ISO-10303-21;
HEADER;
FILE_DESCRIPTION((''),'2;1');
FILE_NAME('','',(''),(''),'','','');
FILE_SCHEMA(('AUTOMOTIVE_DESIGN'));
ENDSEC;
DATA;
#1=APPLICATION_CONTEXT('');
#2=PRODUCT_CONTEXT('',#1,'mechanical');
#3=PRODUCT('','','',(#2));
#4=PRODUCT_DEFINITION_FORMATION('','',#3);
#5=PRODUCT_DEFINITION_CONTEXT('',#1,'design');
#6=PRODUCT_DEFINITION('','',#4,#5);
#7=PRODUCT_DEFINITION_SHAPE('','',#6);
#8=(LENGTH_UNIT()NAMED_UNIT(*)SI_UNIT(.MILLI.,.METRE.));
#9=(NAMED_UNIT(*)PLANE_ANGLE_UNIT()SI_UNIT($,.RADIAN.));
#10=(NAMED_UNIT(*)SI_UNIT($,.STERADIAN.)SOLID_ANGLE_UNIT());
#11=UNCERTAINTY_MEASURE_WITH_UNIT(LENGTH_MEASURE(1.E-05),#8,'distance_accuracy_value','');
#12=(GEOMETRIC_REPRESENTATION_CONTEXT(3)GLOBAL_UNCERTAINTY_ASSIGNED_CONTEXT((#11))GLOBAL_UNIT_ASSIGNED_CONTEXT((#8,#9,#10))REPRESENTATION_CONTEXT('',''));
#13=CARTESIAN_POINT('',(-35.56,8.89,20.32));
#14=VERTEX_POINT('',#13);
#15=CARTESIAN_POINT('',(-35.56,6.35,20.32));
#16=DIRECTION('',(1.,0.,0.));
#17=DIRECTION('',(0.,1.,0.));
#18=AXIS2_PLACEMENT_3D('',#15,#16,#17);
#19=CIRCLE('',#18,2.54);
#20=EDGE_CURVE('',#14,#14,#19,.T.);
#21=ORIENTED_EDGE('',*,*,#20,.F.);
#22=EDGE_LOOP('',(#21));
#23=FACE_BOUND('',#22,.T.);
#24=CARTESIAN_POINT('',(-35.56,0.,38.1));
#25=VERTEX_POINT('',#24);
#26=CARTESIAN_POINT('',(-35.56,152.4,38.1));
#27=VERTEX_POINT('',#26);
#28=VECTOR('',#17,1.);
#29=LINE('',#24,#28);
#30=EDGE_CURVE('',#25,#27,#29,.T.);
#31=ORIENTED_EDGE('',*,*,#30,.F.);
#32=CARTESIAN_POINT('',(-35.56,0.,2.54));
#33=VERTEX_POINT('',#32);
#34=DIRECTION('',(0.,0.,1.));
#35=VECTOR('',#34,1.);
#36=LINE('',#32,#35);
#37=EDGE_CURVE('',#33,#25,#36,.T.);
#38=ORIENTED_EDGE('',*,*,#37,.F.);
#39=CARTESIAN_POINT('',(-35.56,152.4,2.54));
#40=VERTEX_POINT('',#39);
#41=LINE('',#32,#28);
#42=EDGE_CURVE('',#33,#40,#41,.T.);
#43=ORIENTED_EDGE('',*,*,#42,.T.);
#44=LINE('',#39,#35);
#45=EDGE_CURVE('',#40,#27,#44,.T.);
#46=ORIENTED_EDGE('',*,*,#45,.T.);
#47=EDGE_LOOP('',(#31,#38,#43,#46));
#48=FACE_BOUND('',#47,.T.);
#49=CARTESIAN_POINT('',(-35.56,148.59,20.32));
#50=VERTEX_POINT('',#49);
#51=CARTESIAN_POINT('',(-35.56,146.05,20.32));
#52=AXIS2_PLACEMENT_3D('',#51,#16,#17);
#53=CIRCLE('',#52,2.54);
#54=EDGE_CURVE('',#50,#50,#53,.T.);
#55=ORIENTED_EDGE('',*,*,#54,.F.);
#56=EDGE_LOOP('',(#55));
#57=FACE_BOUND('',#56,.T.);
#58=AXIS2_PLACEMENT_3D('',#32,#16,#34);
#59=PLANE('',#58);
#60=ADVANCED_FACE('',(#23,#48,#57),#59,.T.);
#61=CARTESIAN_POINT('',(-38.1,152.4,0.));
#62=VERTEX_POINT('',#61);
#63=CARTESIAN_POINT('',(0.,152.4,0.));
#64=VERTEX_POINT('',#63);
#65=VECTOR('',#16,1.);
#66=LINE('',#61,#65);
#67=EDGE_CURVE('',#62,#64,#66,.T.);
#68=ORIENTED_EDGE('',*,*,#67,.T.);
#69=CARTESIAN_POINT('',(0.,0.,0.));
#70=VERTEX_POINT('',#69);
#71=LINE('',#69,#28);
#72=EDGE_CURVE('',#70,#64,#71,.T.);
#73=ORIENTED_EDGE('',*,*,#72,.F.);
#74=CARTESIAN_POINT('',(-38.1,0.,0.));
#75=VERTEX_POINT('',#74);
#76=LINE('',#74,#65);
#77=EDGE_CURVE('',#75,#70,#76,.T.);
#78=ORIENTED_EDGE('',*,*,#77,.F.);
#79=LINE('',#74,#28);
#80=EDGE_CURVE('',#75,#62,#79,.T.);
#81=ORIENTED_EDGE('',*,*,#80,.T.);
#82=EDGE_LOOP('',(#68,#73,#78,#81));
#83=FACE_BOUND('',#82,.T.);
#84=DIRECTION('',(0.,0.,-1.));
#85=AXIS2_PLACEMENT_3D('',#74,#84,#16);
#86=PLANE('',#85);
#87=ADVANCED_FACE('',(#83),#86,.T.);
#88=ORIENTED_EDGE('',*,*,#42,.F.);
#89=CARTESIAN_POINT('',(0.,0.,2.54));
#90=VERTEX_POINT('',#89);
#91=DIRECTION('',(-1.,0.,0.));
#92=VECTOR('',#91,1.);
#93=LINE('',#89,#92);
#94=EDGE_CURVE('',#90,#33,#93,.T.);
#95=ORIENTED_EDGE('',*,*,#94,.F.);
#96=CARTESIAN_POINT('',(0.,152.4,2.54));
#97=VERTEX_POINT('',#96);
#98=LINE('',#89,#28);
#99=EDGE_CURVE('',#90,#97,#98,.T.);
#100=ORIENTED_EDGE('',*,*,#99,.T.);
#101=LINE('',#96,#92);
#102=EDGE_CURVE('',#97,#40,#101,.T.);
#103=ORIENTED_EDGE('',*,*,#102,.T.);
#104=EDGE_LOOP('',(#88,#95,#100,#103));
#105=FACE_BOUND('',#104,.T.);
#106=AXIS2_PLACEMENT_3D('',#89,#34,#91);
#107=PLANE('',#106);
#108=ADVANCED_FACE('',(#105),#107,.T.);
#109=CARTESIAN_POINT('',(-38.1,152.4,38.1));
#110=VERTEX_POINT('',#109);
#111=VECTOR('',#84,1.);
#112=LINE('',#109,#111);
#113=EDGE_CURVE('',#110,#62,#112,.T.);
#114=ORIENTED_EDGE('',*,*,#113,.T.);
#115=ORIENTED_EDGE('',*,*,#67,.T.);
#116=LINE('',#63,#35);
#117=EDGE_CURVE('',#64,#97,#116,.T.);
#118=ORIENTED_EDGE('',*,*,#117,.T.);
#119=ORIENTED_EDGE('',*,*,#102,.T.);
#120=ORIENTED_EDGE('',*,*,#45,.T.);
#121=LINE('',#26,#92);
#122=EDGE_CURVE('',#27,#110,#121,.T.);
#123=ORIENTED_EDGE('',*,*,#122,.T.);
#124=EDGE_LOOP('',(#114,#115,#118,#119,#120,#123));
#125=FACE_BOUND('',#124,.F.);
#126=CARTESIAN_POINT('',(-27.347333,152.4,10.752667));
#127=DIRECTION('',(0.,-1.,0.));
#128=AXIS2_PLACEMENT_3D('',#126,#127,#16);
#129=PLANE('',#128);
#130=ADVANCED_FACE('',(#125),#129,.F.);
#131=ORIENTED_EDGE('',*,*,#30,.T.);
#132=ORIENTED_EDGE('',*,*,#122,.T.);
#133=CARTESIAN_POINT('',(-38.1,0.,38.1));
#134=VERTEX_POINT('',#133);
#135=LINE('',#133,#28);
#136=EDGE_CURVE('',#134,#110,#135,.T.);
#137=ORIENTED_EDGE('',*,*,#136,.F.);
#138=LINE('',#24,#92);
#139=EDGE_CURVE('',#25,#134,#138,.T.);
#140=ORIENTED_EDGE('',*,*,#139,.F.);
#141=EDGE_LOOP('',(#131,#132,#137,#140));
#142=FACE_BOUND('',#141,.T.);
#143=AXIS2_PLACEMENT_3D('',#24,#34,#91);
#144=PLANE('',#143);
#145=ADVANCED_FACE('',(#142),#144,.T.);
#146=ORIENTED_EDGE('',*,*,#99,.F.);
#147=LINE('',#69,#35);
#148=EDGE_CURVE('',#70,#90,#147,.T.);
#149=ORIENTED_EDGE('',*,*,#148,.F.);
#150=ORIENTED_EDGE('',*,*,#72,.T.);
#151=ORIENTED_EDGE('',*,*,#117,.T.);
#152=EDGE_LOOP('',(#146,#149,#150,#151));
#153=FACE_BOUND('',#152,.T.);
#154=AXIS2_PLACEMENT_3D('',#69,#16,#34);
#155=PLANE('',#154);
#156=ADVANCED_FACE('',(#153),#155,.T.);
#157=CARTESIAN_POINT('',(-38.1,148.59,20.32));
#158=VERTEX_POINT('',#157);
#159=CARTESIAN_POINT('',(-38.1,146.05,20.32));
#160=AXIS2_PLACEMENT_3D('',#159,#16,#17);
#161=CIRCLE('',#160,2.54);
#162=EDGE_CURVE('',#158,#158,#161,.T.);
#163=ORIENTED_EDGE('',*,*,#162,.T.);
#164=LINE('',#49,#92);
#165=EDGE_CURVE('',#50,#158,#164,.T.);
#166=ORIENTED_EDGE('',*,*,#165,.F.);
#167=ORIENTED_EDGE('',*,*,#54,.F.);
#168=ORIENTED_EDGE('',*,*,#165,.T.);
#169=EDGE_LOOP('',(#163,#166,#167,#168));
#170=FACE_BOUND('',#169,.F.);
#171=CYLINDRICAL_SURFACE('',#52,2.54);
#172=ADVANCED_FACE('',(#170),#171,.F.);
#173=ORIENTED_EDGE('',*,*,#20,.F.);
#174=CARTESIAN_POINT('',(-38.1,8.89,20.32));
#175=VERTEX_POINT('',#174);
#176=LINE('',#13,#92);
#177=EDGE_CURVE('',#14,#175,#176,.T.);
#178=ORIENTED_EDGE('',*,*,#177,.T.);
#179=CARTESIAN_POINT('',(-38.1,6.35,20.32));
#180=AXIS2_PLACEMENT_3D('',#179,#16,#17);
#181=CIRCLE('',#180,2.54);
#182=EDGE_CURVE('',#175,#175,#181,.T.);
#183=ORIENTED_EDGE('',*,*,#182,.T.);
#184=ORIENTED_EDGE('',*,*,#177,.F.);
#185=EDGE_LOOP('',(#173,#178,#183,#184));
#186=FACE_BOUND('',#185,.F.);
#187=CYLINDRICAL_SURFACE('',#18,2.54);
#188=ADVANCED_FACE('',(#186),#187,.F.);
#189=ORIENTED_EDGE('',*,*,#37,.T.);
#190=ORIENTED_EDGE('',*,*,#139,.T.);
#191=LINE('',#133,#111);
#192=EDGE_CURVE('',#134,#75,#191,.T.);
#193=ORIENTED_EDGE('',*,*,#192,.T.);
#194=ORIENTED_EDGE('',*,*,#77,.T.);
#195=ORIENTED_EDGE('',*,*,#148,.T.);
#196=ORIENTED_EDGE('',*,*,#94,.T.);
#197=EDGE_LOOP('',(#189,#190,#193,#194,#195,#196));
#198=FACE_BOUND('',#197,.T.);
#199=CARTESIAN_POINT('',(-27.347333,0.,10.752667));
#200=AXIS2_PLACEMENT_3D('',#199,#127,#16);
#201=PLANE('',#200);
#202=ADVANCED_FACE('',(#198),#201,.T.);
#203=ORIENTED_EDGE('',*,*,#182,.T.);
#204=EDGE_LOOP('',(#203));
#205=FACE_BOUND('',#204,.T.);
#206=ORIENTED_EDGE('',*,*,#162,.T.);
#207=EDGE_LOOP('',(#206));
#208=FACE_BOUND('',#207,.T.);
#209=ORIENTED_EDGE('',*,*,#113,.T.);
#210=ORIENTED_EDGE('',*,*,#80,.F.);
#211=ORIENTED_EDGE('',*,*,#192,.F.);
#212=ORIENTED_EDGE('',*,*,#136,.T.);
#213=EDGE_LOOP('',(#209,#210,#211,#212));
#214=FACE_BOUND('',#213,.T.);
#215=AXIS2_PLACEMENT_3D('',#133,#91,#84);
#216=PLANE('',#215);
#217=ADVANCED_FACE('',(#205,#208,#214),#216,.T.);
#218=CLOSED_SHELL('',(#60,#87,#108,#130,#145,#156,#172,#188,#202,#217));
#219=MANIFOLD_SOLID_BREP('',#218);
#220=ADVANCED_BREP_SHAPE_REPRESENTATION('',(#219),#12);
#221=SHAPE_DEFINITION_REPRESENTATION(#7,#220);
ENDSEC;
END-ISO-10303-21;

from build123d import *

# Parameters (mm, degrees)
F1_DEPTH = 152.4
F2_R     = 2.54
F3_DEPTH = 25.4


with BuildPart() as f1:
    # F0 (on Front) → F1 (new body)
    with BuildSketch(Plane.XZ):
        Polygon((-38.1, 0), (0, 0), (0, 2.54), (-35.56, 2.54), (-35.56, 38.1), (-38.1, 38.1), align=None)
    extrude(amount=-F1_DEPTH)

    # F2 (on face) → F3 (cut)
    with BuildSketch(Plane.YZ.offset(-35.56)):
        with BuildLine():
            ThreePointArc((3.81, 20.32), (6.35, 17.78), (8.89, 20.32))
            ThreePointArc((8.89, 20.32), (6.35, 22.86), (3.81, 20.32))
        make_face()
        with Locations((146.05, 20.32)):
            Circle(F2_R)
    extrude(amount=-F3_DEPTH, mode=Mode.SUBTRACT)


solid = f1.part
